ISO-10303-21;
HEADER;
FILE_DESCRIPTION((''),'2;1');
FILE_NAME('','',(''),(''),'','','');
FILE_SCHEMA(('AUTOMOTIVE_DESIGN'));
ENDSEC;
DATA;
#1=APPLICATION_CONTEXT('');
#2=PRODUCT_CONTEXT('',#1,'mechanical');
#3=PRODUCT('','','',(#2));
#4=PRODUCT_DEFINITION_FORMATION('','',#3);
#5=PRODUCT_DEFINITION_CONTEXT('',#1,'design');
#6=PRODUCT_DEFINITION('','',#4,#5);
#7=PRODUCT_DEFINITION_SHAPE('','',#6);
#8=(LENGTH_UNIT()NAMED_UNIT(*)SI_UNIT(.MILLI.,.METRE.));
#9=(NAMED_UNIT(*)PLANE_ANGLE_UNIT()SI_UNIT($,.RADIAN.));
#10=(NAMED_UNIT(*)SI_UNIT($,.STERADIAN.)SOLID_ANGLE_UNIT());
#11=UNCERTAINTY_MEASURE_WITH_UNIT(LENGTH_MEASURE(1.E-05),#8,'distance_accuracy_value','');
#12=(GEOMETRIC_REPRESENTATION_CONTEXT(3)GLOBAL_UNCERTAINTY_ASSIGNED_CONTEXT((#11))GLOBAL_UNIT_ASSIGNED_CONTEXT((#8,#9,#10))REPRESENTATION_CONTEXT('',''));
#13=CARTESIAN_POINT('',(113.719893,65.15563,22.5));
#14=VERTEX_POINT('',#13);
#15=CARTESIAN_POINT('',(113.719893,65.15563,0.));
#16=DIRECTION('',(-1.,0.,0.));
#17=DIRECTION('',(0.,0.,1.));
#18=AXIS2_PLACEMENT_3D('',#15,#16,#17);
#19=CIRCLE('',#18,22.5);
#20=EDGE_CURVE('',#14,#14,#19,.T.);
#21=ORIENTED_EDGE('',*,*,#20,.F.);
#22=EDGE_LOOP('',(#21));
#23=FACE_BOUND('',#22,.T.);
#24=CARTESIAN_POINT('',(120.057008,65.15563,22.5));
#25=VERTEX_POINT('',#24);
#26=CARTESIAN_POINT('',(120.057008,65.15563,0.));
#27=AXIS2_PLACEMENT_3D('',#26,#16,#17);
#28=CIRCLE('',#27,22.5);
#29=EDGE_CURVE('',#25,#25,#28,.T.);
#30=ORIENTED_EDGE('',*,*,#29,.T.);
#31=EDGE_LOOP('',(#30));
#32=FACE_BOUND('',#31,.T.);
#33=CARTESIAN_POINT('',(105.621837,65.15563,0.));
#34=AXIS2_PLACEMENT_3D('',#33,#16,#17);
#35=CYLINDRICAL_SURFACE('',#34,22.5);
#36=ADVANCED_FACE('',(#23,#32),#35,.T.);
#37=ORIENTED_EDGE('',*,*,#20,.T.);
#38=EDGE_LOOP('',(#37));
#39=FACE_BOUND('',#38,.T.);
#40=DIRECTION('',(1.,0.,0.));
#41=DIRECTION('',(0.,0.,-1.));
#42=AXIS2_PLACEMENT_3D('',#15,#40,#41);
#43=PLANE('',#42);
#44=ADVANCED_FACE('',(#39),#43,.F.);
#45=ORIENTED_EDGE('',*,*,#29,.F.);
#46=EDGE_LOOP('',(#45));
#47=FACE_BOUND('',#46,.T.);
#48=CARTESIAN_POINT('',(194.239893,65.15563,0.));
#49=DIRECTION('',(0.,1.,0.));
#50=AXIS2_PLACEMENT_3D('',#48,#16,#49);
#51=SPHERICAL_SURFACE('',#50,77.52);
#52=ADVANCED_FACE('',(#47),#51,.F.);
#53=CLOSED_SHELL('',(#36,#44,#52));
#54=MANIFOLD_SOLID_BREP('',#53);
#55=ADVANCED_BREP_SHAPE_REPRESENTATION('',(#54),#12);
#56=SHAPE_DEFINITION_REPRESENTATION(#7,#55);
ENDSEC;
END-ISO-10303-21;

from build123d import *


with BuildPart() as part:
    # 草图1 → 旋转1 (revolve)
    with BuildSketch(Plane.XY):
        with BuildLine():
            Line((113.71989284, 65.155630457), (113.71989284, 87.655630457))
            Line((113.71989284, 87.655630457), (120.057008021, 87.655630457))
            ThreePointArc((120.057008021, 87.655630457), (117.55870991, 76.528694443), (116.71989284, 65.155630457))
            Line((116.71989284, 65.155630457), (113.71989284, 65.155630457))
        make_face()
    revolve(axis=Axis((105.621837124, 65.155630457, 0), (1, 0, 0)))


solid = part.part
